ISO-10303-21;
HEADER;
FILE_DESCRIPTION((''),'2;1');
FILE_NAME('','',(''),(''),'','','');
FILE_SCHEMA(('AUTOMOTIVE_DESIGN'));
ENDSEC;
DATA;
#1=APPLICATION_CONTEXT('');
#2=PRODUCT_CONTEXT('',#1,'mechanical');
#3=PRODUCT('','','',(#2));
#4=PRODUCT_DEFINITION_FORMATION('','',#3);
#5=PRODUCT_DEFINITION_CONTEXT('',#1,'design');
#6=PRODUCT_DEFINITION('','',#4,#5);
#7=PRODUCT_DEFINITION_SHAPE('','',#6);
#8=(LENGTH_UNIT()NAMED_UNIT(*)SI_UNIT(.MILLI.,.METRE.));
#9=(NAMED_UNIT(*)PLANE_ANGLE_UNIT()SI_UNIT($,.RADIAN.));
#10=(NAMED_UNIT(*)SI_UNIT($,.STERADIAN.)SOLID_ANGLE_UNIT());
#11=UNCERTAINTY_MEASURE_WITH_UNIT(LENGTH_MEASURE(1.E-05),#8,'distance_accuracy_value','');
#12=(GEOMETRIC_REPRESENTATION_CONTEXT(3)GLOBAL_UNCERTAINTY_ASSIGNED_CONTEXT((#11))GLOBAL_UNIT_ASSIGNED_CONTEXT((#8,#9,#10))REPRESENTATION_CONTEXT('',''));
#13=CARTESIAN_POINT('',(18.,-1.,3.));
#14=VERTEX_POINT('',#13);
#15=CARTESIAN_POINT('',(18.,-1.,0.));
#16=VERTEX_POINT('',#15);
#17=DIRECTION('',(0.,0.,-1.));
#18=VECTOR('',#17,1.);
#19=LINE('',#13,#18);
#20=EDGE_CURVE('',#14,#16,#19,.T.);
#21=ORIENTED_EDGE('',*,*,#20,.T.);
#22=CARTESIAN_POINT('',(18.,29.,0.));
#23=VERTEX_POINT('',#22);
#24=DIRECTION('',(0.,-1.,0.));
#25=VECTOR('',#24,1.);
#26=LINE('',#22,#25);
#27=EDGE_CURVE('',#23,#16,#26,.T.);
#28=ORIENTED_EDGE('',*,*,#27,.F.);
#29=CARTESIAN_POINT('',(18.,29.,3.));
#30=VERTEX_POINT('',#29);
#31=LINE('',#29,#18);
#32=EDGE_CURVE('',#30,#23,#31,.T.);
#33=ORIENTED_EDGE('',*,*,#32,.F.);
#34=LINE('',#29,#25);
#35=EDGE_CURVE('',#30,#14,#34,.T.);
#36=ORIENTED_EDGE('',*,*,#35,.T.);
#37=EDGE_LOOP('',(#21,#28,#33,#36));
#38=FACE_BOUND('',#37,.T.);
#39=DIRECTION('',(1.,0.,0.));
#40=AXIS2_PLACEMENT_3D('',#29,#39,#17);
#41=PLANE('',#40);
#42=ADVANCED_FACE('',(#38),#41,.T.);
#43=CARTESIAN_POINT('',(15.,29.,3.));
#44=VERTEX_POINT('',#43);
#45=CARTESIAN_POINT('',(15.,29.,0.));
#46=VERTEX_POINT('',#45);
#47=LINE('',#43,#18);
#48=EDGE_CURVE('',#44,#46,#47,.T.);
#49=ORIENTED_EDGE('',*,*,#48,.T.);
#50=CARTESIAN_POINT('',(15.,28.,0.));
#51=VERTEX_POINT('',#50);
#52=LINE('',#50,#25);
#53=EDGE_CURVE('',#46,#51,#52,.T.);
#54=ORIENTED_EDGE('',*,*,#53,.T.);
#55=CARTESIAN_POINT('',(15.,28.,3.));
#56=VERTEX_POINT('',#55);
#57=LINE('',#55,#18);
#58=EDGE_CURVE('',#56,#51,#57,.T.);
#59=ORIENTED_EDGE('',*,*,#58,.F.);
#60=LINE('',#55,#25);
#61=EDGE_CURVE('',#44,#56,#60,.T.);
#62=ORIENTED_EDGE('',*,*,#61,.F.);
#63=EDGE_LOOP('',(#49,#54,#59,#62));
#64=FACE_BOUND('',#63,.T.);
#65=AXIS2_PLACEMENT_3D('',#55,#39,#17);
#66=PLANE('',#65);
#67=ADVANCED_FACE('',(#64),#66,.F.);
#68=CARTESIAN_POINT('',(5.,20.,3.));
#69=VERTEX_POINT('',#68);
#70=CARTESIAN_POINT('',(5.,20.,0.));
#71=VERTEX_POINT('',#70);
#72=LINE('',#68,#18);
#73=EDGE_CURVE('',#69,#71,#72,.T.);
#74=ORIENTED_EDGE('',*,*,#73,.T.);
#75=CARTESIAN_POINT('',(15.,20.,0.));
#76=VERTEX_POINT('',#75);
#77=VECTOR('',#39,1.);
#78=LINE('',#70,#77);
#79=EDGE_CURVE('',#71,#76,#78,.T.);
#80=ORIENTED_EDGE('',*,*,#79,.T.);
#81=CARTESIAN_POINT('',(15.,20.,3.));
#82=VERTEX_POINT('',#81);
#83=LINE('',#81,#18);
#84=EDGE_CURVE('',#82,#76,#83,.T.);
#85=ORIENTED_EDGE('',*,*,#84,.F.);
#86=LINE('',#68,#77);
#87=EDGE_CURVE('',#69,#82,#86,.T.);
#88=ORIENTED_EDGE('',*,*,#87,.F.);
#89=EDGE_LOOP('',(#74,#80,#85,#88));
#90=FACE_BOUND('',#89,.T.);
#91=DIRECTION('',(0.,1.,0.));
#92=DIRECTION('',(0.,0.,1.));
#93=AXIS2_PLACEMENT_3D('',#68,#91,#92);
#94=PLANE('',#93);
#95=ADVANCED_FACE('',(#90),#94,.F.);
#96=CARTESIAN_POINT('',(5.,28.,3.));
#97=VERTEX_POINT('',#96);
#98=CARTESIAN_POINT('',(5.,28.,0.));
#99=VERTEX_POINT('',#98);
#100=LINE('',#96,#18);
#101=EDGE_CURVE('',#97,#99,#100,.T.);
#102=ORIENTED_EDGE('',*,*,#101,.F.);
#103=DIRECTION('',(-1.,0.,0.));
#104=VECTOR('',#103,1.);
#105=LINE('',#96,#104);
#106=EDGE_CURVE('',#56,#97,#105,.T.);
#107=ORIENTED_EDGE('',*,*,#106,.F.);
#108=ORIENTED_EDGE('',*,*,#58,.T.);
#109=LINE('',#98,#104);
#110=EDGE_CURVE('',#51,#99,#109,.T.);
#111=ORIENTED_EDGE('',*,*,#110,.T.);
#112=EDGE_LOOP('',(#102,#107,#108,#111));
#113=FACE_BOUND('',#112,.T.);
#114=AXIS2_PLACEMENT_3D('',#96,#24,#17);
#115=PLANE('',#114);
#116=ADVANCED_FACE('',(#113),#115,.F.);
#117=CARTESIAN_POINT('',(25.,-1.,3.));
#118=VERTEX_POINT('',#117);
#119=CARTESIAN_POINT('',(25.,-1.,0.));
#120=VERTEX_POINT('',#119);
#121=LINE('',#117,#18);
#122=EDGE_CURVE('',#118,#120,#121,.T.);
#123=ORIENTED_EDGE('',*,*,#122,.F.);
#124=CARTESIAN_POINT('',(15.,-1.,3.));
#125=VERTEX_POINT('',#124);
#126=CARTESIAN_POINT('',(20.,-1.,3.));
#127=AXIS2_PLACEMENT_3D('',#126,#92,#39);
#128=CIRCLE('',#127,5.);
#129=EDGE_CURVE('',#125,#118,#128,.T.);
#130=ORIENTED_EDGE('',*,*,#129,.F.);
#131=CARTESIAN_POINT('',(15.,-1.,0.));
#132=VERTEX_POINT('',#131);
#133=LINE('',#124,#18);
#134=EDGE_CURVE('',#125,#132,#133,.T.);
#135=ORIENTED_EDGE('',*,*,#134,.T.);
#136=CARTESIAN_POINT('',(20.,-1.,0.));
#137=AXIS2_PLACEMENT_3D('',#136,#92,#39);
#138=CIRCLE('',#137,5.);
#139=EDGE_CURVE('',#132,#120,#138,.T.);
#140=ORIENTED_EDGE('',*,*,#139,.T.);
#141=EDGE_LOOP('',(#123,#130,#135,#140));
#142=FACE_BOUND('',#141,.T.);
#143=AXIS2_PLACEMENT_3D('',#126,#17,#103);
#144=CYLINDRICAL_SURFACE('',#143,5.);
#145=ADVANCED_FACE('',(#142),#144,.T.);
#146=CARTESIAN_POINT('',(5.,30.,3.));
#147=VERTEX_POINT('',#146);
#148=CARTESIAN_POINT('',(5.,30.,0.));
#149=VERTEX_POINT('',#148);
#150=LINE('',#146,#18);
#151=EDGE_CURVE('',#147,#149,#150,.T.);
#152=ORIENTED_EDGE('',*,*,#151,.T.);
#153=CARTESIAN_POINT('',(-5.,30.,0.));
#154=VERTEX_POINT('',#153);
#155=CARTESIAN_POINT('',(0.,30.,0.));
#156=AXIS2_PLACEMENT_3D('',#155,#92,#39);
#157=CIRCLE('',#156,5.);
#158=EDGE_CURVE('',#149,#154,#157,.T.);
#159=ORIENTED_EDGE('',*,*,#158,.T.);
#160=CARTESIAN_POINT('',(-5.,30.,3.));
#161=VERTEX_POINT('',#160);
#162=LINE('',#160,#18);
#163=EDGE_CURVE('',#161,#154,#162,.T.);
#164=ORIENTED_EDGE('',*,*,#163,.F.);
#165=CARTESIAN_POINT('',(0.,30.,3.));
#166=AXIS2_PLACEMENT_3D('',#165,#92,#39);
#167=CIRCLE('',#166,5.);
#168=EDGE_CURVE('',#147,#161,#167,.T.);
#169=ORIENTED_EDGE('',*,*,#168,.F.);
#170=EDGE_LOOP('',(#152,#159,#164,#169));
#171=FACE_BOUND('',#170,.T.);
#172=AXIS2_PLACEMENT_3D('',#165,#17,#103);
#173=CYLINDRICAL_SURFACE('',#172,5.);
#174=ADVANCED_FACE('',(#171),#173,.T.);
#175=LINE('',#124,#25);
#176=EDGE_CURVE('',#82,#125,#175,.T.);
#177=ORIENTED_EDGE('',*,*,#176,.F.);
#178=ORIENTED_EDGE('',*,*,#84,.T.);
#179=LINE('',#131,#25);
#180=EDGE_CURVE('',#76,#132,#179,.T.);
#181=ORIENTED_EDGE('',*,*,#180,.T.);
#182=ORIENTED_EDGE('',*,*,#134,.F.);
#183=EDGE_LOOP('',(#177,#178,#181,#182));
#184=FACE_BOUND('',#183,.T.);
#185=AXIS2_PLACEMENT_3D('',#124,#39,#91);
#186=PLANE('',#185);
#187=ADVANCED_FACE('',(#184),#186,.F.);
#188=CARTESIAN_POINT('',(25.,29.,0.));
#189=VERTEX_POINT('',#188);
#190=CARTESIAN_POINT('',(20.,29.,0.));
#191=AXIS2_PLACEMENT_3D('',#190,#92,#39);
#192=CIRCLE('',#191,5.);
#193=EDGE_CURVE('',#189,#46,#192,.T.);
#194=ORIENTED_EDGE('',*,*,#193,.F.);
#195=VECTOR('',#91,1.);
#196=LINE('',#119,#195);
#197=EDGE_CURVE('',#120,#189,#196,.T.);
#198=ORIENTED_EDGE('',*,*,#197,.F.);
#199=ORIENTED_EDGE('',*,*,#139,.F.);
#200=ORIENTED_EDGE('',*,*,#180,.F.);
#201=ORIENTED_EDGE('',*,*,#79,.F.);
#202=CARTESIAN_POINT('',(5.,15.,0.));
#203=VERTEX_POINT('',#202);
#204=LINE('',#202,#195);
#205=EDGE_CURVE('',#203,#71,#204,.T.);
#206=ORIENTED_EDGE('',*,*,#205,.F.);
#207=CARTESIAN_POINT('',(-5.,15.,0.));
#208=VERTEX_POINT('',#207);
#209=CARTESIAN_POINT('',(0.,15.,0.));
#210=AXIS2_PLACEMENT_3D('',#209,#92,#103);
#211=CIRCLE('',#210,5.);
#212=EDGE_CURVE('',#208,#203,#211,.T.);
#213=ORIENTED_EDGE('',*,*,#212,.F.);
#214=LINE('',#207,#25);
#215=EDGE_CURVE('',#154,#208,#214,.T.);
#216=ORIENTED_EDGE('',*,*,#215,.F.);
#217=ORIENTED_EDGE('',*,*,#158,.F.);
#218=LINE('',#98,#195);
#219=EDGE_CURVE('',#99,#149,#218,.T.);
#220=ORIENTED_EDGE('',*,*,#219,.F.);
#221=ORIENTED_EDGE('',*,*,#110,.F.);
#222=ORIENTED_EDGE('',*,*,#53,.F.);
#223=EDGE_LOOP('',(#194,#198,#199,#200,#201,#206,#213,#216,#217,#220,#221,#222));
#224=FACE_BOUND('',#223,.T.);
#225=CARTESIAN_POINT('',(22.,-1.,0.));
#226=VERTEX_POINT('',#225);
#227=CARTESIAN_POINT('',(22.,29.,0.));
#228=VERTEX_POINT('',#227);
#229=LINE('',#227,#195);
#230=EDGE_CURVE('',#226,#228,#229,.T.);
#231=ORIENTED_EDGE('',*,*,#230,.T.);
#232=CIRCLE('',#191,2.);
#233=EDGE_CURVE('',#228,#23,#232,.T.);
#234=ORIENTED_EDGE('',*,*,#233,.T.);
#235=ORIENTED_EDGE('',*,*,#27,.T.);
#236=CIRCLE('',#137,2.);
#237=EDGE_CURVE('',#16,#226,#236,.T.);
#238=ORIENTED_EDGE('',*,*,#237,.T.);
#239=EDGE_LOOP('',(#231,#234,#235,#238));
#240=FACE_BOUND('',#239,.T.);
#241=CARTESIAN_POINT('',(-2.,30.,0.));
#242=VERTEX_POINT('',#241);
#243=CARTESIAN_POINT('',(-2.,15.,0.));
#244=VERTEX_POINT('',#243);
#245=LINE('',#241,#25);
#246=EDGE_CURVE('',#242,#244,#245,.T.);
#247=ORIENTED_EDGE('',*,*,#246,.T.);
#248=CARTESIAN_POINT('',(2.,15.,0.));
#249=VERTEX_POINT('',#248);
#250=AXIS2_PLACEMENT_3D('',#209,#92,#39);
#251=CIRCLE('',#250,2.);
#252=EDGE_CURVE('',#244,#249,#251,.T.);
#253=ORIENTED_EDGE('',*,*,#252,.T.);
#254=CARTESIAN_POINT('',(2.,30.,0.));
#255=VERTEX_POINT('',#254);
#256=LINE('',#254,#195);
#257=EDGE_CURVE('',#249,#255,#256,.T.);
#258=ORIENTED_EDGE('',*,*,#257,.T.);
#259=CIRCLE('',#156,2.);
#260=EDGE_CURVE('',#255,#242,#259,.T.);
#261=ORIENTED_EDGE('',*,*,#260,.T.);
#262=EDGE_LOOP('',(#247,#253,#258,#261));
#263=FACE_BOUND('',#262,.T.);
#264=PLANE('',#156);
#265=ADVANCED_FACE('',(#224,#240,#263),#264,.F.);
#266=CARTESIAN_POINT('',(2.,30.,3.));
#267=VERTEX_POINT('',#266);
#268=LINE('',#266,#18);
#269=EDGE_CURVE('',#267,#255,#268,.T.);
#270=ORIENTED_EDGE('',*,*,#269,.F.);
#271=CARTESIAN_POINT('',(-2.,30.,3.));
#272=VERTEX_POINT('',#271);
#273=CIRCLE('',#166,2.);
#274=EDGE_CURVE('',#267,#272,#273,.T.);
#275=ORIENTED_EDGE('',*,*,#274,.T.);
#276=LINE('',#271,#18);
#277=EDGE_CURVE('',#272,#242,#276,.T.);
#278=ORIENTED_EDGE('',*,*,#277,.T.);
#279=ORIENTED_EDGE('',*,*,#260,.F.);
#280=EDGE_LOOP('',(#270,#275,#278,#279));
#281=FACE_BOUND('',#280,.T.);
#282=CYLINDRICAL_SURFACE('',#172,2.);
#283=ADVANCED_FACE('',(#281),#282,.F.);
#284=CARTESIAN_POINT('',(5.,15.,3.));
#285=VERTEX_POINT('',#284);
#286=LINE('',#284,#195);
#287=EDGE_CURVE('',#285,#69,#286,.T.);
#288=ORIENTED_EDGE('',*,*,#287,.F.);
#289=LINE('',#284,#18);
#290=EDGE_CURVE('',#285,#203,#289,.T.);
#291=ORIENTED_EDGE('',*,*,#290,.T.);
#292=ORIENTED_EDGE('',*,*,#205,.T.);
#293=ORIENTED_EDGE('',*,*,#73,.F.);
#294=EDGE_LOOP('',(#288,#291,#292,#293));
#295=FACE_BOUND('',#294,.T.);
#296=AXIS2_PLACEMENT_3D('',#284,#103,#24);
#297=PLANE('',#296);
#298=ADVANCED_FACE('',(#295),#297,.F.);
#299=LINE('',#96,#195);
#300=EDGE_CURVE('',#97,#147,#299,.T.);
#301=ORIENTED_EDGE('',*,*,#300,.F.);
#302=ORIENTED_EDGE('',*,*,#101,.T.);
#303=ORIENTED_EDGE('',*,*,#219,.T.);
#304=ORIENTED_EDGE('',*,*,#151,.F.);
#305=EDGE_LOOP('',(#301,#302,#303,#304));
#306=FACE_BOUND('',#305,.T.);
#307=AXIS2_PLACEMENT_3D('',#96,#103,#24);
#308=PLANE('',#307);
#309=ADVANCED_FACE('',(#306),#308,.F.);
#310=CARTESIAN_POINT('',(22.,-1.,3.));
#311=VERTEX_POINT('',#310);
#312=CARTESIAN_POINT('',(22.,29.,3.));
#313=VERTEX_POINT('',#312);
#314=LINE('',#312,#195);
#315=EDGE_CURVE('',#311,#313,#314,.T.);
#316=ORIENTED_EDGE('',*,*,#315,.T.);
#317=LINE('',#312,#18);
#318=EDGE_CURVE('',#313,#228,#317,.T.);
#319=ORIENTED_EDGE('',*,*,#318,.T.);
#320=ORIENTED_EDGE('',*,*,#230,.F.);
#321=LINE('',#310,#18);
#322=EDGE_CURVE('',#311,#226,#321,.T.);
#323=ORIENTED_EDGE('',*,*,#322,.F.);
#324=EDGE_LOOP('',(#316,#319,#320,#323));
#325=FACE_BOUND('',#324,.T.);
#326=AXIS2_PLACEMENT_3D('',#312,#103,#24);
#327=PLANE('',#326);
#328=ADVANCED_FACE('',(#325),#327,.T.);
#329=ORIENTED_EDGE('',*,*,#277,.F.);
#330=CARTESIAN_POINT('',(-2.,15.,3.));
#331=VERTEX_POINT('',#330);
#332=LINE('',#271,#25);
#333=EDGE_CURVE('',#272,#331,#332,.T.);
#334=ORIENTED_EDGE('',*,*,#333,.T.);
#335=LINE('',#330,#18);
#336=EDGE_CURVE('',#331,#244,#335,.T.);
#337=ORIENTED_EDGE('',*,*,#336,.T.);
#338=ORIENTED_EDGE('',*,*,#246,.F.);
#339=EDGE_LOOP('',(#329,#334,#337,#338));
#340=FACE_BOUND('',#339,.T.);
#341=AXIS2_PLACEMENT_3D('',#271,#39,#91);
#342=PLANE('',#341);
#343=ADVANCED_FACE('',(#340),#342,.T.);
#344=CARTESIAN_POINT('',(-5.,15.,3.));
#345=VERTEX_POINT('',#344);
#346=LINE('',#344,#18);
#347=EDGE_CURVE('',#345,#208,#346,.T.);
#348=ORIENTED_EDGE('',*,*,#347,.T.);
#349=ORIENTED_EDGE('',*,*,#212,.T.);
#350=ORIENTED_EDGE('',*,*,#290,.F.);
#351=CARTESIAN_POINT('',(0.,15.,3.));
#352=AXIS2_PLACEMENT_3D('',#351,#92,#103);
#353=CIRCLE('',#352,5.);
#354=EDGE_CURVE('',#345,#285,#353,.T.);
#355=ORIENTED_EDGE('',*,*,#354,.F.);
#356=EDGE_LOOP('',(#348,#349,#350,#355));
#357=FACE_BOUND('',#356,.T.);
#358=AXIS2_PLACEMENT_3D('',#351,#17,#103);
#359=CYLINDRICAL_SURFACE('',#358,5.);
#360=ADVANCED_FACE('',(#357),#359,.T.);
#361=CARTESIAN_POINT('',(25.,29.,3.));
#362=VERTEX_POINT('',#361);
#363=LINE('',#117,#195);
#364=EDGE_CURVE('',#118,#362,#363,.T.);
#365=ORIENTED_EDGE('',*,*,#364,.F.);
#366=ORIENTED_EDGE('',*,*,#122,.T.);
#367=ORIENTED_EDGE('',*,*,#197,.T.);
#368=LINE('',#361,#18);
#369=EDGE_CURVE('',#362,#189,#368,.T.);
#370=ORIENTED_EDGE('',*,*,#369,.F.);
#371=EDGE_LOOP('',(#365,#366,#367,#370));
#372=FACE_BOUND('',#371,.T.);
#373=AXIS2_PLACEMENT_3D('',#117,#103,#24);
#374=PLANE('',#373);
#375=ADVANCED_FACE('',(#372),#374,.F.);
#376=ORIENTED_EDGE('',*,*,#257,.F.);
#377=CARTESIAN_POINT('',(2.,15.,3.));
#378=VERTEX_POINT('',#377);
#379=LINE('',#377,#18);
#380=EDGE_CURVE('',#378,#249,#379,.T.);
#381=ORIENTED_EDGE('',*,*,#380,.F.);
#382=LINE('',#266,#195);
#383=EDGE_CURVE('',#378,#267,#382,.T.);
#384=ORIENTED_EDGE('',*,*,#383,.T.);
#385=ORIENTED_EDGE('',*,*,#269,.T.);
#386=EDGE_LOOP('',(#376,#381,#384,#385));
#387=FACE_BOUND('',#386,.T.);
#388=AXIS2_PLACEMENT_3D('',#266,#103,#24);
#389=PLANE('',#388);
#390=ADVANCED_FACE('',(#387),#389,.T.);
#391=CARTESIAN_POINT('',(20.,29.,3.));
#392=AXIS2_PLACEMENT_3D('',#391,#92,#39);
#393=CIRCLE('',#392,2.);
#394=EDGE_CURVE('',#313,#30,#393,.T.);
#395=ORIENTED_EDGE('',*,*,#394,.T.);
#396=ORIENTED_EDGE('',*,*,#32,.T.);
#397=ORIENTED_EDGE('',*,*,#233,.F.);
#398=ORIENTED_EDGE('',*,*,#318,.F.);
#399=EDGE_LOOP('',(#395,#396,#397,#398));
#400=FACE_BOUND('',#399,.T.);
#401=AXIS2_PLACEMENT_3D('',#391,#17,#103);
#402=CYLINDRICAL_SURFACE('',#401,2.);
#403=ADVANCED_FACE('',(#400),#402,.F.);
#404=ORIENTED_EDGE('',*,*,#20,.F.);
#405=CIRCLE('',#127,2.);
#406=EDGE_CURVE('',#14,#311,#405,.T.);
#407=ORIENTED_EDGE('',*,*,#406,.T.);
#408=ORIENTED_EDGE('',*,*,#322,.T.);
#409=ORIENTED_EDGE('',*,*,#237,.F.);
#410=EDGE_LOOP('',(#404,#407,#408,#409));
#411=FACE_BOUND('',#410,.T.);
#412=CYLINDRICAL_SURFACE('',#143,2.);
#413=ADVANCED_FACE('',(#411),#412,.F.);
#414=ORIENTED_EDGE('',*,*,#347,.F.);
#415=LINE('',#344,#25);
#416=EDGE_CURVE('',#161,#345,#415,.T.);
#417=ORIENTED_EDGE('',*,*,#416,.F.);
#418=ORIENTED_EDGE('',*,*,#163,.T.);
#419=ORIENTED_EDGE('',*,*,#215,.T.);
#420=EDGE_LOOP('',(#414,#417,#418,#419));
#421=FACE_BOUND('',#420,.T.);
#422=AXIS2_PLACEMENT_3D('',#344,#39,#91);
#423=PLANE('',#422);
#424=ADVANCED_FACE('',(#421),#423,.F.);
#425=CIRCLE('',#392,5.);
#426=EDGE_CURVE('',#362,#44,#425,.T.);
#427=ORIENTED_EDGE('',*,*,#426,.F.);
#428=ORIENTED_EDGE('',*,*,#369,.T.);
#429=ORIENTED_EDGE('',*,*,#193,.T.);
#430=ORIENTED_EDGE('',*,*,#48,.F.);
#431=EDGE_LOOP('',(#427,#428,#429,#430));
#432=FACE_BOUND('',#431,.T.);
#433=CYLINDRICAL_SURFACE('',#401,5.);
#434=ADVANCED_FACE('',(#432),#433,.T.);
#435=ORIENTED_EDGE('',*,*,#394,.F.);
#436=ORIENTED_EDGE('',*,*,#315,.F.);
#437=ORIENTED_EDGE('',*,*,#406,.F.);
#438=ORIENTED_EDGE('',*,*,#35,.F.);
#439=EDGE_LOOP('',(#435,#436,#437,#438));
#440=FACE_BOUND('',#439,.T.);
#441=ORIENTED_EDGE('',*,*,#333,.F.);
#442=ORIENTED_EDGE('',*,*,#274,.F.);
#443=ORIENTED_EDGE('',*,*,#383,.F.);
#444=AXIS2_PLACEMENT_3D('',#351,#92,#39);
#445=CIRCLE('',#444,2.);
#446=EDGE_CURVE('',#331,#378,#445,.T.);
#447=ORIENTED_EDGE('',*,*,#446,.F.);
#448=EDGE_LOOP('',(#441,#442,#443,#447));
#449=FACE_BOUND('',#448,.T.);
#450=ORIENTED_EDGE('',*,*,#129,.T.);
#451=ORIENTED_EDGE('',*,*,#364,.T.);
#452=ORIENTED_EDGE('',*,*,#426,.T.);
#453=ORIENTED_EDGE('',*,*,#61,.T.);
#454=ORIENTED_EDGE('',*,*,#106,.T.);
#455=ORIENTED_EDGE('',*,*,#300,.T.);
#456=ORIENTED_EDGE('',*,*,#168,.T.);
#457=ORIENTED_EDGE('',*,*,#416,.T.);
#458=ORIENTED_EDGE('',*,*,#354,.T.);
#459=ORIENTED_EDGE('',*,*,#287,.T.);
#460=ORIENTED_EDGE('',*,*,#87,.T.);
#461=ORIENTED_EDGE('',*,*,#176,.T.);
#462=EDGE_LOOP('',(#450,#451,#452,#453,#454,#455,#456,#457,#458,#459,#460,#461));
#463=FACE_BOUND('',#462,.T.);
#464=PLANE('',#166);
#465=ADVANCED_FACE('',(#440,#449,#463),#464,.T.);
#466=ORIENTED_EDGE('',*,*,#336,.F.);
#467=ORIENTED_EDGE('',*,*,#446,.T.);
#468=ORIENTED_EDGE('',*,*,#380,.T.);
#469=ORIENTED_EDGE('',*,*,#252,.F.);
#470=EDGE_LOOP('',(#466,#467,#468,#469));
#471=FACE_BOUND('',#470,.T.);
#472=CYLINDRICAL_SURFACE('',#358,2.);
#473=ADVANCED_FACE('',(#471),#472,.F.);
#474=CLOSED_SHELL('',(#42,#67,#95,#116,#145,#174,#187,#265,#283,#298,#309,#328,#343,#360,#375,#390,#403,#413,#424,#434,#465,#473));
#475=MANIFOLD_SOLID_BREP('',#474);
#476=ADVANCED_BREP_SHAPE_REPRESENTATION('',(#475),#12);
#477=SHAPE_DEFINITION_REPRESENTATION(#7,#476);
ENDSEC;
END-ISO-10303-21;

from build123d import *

# Parameters (mm, degrees)
RESSALTO_EXTRUS_O1_DEPTH = 3


with BuildPart() as part:
    # Esboço1 → Ressalto-extrusão1 (new body)
    with BuildSketch(Plane.XY):
        with BuildLine():
            Line((-5, 15), (-5, 30))
            ThreePointArc((-5, 30), (0, 35), (5, 30))
            Line((5, 30), (5, 28))
            Line((5, 28), (15, 28))
            Line((15, 28), (15, 29))
            ThreePointArc((15, 29), (20, 34), (25, 29))
            Line((25, 29), (25, -1))
            ThreePointArc((25, -1), (20, -6), (15, -1))
            Line((15, -1), (15, 20))
            Line((15, 20), (5, 20))
            Line((5, 20), (5, 15))
            ThreePointArc((5, 15), (0, 10), (-5, 15))
        make_face()
        with BuildLine():
            Line((2, 30), (2, 15))
            ThreePointArc((2, 15), (0, 13), (-2, 15))
            Line((-2, 15), (-2, 30))
            ThreePointArc((-2, 30), (0, 32), (2, 30))
        make_face(mode=Mode.SUBTRACT)
        with BuildLine():
            Line((22, 29), (22, -1))
            ThreePointArc((22, -1), (20, -3), (18, -1))
            Line((18, -1), (18, 29))
            ThreePointArc((18, 29), (20, 31), (22, 29))
        make_face(mode=Mode.SUBTRACT)
    extrude(amount=RESSALTO_EXTRUS_O1_DEPTH)


solid = part.part
